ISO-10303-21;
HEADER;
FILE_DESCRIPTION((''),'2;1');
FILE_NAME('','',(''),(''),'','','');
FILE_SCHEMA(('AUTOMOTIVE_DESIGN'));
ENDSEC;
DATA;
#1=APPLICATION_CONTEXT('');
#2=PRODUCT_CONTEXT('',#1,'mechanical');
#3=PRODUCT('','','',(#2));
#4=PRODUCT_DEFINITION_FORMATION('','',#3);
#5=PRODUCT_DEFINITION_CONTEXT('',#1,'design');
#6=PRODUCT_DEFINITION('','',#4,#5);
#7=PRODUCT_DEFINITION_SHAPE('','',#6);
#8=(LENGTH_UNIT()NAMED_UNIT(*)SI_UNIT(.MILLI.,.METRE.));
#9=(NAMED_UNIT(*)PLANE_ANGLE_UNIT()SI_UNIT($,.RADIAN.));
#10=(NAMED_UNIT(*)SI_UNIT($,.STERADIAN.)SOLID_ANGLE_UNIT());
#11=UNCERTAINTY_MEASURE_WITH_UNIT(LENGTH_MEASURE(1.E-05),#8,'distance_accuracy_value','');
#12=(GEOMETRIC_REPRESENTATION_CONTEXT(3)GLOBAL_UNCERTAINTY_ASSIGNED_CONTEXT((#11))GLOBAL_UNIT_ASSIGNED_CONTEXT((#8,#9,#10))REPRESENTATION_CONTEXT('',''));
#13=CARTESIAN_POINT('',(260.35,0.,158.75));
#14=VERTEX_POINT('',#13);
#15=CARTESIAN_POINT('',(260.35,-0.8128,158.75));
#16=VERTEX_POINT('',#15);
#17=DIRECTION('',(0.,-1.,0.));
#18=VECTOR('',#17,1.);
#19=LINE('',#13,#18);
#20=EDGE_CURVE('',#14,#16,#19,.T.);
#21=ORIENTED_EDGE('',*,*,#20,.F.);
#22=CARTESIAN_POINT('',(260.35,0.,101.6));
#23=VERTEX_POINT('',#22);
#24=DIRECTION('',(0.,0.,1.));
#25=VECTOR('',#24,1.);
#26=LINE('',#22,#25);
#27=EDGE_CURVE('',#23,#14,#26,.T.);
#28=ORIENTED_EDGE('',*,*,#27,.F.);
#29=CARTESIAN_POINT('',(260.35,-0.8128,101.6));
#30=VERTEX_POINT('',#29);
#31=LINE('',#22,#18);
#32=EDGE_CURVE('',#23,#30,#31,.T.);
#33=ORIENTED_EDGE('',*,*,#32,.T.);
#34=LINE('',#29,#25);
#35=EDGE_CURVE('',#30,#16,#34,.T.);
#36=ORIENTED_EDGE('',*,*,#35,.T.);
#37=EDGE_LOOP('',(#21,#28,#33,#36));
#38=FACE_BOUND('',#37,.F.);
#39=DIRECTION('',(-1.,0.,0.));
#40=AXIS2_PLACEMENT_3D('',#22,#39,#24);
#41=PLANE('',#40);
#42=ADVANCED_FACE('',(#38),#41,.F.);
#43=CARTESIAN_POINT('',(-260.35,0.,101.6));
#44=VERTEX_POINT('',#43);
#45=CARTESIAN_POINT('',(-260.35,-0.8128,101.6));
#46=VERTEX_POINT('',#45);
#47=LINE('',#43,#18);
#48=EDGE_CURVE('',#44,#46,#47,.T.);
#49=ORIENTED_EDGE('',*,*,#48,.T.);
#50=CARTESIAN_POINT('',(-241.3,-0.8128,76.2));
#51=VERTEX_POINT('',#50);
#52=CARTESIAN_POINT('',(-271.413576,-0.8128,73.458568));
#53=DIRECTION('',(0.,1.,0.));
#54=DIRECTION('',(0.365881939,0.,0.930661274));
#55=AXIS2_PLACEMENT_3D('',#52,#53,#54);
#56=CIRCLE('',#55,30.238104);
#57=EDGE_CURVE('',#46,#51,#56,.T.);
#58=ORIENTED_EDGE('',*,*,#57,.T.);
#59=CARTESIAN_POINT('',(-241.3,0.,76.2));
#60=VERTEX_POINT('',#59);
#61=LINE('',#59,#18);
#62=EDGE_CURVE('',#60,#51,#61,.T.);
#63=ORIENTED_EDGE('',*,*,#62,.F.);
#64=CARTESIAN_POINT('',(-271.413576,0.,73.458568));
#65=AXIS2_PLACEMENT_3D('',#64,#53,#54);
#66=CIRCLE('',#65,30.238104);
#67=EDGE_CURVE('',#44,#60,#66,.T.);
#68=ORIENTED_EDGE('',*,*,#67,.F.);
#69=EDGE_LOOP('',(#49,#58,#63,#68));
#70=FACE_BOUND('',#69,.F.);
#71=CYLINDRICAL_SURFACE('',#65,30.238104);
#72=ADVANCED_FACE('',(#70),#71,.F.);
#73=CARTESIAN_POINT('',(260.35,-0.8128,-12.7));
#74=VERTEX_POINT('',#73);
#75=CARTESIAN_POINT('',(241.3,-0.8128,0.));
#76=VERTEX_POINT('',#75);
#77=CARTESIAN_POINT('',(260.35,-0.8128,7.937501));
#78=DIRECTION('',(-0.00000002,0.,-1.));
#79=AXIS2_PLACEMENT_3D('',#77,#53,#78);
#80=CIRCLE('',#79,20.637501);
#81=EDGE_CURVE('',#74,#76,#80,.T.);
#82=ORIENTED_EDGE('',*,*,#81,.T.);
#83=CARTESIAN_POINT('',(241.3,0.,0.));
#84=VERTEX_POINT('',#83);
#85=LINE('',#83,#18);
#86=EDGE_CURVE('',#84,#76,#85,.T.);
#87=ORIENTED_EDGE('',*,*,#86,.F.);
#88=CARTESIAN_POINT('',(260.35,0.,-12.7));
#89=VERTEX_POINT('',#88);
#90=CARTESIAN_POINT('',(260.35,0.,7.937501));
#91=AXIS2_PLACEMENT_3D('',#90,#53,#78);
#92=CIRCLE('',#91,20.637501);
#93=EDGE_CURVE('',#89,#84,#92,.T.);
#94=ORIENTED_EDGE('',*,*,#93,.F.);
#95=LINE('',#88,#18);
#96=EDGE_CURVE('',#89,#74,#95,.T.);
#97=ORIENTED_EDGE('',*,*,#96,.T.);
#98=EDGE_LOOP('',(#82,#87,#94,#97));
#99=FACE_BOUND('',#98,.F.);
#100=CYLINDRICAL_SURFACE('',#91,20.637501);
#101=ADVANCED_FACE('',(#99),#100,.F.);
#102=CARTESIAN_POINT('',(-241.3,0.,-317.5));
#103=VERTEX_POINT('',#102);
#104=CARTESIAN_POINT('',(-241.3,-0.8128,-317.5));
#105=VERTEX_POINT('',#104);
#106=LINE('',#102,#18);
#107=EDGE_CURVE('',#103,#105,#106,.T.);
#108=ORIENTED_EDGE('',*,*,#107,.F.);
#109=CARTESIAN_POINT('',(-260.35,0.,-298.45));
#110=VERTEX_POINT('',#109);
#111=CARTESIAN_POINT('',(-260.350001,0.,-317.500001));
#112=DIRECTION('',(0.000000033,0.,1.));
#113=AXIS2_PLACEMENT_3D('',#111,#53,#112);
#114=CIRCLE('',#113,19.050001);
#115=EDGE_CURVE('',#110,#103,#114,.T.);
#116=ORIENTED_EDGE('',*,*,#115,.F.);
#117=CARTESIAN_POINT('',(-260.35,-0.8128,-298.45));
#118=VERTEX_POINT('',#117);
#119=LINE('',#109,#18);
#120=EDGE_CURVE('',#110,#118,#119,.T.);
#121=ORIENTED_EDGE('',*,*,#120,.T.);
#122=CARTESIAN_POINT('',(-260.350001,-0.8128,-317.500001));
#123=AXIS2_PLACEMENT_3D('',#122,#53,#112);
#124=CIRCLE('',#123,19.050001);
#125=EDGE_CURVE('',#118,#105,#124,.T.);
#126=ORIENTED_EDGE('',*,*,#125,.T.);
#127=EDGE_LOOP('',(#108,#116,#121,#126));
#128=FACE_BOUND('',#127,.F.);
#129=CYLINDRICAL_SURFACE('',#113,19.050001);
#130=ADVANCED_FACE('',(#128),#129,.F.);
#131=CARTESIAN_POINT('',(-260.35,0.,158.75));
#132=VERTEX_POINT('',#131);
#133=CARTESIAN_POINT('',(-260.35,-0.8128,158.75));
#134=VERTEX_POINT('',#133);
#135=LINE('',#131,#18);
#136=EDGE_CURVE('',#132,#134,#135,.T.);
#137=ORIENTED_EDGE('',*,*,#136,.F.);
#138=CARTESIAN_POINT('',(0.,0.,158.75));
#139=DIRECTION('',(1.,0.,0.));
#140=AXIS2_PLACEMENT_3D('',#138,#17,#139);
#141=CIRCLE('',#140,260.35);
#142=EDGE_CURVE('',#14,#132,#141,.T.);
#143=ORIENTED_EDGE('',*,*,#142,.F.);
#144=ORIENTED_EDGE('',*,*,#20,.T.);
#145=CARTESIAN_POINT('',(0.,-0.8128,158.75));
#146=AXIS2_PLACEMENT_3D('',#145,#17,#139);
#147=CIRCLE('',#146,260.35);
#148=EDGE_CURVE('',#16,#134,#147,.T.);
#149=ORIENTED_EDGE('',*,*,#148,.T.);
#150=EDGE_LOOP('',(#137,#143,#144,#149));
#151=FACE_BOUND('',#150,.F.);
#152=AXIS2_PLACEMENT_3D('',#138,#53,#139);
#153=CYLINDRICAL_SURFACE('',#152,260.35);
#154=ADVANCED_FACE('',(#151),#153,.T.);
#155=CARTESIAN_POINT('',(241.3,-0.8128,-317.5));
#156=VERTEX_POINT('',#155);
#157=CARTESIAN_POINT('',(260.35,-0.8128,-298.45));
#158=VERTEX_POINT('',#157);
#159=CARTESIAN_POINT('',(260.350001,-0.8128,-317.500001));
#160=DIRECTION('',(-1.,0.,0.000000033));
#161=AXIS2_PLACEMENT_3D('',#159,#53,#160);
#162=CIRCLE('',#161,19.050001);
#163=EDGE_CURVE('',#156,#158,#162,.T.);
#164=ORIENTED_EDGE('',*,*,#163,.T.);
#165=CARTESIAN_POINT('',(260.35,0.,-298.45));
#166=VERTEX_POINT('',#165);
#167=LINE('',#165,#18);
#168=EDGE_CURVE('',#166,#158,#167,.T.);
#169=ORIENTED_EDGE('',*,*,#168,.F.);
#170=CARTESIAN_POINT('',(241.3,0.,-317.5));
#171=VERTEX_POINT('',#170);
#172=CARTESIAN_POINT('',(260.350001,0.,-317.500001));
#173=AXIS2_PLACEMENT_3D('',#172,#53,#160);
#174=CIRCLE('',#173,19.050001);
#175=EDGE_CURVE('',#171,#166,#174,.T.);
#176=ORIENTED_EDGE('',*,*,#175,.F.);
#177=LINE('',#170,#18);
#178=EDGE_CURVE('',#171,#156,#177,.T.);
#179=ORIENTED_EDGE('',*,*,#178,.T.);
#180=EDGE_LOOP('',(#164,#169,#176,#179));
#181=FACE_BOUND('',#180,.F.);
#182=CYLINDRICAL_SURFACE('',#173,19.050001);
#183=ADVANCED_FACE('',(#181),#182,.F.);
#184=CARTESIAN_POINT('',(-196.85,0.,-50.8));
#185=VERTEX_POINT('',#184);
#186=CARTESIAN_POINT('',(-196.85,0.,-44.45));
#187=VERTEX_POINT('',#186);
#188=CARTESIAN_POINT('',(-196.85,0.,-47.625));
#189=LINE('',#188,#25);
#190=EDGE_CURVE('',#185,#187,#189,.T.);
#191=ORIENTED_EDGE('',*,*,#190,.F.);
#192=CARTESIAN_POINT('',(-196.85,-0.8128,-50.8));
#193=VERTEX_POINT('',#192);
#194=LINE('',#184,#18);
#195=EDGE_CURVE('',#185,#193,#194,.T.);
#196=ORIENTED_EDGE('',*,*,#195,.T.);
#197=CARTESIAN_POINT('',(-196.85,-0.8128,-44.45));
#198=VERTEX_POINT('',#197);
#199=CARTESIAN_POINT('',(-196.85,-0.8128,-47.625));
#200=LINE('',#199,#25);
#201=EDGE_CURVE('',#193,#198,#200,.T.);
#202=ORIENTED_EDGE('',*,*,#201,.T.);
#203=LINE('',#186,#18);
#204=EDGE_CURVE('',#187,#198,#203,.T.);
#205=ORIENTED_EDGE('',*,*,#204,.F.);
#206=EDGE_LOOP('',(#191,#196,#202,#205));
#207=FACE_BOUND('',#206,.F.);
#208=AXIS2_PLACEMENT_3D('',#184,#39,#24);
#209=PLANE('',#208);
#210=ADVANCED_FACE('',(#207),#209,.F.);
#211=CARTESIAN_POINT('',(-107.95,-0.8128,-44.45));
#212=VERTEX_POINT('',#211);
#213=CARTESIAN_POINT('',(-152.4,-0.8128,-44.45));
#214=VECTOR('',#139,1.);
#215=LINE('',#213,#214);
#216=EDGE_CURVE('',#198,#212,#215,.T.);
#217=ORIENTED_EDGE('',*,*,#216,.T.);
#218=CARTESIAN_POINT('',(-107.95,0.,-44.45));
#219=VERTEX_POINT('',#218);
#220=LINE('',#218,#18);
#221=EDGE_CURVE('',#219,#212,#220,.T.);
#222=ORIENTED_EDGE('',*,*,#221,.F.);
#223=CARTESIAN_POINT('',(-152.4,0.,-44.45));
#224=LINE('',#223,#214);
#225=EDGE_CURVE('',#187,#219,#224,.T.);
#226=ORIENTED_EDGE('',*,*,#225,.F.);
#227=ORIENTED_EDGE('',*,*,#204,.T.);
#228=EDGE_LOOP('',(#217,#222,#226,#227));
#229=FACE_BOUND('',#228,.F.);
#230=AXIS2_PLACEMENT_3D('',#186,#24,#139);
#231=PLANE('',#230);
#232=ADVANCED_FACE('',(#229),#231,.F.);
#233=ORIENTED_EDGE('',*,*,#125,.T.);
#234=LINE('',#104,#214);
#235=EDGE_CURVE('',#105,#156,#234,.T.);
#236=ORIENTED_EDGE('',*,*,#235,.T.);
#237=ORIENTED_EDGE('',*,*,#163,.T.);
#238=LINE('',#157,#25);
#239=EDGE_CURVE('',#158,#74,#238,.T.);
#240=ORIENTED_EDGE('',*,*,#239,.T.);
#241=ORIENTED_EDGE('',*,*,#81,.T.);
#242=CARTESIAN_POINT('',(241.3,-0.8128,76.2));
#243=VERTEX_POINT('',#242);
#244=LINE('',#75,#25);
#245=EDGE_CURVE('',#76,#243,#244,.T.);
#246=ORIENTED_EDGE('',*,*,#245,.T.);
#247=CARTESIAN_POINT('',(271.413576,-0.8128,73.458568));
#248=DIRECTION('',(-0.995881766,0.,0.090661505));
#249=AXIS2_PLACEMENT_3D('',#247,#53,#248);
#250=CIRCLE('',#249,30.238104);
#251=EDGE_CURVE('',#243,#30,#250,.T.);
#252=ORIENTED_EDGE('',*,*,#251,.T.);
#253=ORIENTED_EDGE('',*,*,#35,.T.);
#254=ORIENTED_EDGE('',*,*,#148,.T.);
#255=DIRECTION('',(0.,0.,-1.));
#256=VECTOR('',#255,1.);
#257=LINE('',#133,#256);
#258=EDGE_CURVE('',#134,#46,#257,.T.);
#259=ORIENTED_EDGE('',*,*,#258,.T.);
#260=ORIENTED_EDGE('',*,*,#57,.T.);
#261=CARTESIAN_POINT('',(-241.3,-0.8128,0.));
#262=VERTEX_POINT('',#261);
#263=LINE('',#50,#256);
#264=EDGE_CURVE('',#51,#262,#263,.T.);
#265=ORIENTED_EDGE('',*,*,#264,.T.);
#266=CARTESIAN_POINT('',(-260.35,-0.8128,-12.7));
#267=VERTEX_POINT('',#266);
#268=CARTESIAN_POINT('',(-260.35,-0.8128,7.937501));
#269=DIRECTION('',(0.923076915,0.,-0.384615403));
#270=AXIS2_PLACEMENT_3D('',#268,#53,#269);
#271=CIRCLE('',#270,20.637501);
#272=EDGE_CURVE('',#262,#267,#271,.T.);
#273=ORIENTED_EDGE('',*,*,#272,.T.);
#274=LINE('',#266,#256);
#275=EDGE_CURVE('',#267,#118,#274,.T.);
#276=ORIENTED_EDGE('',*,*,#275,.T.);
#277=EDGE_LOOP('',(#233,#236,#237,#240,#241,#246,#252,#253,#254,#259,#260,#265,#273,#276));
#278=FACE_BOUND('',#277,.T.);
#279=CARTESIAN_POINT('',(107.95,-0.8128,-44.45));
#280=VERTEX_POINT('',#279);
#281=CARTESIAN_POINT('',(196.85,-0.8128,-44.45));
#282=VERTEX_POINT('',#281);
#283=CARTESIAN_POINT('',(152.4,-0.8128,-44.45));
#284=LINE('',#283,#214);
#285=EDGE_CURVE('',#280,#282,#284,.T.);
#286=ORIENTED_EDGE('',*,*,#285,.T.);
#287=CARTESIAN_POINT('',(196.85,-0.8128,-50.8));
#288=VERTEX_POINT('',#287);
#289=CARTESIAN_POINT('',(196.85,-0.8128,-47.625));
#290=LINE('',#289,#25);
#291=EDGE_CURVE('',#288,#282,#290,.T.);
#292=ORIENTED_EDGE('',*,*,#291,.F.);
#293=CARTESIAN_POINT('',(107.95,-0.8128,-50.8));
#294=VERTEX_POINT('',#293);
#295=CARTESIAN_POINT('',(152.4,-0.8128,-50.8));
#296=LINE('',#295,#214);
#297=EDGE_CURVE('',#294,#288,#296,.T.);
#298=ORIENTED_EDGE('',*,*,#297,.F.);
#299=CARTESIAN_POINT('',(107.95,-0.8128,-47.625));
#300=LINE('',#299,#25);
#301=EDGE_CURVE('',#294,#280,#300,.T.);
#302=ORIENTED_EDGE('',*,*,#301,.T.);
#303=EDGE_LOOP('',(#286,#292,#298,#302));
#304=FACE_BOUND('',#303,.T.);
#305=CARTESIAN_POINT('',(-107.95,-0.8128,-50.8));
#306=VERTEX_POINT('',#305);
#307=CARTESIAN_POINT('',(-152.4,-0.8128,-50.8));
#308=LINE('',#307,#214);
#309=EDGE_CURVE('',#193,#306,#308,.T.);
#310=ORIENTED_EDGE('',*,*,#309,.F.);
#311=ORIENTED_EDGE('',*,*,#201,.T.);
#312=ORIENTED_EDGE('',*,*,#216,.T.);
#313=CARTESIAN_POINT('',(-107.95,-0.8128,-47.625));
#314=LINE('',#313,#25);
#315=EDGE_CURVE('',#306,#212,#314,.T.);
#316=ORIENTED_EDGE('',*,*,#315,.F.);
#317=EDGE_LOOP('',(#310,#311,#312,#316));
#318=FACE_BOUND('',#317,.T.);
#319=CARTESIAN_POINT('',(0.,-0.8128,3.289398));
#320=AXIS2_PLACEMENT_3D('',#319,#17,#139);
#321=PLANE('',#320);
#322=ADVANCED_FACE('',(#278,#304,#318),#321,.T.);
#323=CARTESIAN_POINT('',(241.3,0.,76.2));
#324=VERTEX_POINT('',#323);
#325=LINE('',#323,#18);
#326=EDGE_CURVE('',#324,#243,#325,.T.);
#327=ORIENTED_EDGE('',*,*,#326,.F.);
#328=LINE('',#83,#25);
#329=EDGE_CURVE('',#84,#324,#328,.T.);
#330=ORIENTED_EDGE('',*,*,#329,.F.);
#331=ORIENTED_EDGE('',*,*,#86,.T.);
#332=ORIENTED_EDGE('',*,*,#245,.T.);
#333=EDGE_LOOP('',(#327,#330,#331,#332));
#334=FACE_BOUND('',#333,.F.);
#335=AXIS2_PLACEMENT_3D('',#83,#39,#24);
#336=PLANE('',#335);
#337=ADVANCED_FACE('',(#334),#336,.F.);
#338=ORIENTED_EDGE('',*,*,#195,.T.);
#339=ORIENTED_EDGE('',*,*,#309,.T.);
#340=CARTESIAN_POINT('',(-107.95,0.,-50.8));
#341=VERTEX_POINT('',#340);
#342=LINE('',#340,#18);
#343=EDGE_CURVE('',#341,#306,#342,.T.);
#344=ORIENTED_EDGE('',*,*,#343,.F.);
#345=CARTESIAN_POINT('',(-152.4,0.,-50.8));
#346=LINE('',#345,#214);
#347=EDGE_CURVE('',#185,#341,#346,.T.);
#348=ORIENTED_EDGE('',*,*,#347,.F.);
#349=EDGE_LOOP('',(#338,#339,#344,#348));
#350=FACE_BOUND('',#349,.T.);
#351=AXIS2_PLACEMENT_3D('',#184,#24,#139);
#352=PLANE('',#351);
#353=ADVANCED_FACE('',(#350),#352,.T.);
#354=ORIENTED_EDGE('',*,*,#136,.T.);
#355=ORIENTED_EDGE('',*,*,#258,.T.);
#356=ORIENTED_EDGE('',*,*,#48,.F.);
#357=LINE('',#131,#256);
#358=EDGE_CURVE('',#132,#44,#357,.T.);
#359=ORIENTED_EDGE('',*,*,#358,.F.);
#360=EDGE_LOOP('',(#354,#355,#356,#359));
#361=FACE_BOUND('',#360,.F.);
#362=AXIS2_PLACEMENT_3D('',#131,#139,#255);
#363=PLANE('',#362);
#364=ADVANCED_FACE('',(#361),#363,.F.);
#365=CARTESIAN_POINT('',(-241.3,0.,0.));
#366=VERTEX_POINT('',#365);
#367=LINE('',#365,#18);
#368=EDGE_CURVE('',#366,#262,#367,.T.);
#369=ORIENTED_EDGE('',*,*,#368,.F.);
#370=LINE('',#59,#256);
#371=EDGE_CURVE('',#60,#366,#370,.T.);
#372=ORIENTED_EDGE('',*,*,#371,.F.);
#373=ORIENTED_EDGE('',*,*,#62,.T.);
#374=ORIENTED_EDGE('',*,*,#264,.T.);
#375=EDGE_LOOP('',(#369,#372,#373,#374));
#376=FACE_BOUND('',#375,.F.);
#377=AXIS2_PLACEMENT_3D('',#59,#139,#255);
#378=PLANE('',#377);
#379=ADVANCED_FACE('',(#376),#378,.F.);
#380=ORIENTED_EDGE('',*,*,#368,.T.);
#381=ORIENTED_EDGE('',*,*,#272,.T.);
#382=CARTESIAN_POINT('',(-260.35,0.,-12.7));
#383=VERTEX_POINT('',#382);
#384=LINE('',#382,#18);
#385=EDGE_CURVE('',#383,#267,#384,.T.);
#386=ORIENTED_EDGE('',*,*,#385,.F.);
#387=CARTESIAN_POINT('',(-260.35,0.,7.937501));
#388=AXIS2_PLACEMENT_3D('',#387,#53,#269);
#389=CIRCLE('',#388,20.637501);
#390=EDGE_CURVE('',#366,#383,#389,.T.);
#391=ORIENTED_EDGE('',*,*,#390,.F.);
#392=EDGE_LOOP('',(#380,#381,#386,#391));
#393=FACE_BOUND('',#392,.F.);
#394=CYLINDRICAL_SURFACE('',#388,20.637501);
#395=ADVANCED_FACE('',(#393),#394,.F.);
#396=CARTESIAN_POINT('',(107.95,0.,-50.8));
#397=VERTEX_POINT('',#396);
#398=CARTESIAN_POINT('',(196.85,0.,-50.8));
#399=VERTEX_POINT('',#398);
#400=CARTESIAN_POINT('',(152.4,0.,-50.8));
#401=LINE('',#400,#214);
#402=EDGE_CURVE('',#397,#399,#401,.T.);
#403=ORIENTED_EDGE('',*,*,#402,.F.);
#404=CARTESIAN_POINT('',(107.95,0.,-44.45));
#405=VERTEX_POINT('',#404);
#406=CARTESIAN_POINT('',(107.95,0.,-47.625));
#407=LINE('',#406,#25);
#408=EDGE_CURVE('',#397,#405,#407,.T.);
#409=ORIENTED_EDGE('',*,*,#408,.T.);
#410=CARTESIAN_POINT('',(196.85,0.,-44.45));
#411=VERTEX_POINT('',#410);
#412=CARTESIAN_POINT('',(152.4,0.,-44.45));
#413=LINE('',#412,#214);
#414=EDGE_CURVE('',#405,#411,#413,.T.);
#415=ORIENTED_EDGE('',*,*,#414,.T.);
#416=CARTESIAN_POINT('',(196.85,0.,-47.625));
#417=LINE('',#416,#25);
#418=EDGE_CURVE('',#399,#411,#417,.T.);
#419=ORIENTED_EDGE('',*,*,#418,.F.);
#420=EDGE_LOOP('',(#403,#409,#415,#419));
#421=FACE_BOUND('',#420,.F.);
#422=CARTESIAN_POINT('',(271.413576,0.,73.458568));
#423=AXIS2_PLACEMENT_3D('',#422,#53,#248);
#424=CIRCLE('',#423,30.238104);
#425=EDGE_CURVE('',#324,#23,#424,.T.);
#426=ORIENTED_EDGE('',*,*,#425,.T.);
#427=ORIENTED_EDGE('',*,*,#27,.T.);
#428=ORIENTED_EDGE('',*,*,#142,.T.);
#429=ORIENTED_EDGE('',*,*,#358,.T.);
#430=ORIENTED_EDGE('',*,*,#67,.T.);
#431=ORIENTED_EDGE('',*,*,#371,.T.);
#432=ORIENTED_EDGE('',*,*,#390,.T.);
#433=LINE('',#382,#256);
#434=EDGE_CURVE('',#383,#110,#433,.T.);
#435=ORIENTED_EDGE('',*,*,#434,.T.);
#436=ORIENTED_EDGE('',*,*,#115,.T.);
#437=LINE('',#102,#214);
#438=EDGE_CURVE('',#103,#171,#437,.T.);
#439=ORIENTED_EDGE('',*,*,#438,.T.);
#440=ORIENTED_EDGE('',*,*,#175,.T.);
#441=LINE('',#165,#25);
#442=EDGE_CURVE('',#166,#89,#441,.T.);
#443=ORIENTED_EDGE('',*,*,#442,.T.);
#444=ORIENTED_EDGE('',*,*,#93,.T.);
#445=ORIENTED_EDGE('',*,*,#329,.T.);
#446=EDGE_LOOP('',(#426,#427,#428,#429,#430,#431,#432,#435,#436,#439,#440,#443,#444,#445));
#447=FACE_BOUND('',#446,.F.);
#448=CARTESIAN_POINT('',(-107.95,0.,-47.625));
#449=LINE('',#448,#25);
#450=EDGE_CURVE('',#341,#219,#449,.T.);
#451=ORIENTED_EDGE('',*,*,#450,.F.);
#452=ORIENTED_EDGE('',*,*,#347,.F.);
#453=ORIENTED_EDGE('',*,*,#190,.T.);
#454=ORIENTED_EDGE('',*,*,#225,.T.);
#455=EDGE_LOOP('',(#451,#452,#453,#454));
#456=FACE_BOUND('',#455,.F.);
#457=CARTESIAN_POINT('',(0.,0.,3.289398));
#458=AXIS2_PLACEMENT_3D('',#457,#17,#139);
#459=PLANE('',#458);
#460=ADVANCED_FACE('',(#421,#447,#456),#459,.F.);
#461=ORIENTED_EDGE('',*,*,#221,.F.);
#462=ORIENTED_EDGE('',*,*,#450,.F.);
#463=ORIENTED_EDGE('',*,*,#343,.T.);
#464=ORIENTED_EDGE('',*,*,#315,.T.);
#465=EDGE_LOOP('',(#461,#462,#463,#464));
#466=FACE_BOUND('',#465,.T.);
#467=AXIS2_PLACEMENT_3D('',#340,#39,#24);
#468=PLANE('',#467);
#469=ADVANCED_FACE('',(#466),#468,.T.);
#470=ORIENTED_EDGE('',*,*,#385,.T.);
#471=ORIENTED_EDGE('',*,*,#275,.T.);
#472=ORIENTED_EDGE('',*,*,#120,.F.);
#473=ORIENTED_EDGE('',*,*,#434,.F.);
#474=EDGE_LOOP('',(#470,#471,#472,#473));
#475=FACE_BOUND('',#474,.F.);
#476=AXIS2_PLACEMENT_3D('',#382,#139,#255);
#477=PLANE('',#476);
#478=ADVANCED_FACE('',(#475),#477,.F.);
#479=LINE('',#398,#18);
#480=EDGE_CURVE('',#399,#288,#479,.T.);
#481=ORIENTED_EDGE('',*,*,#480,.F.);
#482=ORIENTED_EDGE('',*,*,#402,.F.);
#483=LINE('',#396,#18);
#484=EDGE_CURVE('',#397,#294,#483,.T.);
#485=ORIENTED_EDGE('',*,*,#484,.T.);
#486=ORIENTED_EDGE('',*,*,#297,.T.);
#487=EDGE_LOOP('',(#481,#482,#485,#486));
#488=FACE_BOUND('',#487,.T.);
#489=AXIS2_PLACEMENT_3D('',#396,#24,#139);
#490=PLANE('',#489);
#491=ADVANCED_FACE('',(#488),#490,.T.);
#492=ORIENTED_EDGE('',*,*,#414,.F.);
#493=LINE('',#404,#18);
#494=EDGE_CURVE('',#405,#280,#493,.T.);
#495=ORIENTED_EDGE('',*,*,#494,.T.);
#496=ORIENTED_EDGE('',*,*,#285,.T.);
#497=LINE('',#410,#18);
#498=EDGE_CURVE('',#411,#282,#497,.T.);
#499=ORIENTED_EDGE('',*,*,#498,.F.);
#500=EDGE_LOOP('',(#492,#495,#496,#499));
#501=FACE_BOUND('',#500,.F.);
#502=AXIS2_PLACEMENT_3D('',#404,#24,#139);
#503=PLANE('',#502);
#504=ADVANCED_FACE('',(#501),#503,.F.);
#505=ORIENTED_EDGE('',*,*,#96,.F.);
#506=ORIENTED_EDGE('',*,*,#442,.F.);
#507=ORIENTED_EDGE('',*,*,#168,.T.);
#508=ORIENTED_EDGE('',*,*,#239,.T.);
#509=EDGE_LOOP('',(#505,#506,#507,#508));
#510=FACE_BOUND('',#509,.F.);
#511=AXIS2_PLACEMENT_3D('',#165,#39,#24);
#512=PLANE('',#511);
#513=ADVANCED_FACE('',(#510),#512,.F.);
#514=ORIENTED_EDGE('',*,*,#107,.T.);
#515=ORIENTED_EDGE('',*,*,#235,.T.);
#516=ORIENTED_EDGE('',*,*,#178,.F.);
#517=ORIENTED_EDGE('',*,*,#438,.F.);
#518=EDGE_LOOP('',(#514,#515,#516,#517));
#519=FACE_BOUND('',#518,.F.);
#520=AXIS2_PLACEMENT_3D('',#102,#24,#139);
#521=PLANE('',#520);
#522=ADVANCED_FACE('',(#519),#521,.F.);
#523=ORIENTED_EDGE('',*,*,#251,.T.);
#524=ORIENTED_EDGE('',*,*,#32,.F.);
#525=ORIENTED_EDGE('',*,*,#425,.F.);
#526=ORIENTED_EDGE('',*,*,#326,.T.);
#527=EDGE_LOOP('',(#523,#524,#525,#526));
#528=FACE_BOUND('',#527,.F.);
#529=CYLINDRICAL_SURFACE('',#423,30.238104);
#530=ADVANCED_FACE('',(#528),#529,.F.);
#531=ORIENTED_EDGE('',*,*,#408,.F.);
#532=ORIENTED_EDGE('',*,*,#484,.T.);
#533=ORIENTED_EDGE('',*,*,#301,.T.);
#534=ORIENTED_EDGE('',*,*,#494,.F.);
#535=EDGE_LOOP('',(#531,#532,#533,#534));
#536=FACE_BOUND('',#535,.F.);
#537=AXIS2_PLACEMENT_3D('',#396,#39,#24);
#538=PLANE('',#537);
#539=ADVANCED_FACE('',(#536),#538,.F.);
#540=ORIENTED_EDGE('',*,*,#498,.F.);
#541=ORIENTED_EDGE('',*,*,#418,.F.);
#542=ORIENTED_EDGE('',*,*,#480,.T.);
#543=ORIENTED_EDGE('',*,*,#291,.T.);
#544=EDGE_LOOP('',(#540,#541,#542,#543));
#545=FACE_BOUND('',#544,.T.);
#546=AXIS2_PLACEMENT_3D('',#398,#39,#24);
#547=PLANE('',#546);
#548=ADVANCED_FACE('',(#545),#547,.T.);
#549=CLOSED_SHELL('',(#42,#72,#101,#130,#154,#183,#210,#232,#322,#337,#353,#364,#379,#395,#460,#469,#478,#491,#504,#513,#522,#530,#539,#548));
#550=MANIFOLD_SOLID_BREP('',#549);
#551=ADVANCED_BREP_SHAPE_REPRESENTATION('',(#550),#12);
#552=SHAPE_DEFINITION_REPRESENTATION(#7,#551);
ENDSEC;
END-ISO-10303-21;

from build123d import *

# Parameters (mm, degrees)
F0_W     = 88.9
F0_H     = 6.35
F1_DEPTH = 0.8128


with BuildPart() as f1:
    # F0 (on Front) → F1 (new body)
    with BuildSketch(Plane.XZ):
        with BuildLine():
            ThreePointArc((-241.3, 0), (-248.902375, -9.233938), (-260.35, -12.7))
            Line((-260.35, -12.7), (-260.35, -298.45))
            ThreePointArc((-260.35, -298.45), (-246.879616, -304.029616), (-241.3, -317.5))
            Line((-241.3, -317.5), (241.3, -317.5))
            ThreePointArc((241.3, -317.5), (246.879616, -304.029616), (260.35, -298.45))
            Line((260.35, -298.45), (260.35, -12.7))
            ThreePointArc((260.35, -12.7), (248.902375, -9.233938), (241.3, 0))
            Line((241.3, 0), (241.3, 76.2))
            ThreePointArc((241.3, 76.2), (247.223093, 91.60143), (260.35, 101.6))
            Line((260.35, 101.6), (260.35, 158.75))
            ThreePointArc((260.35, 158.75), (0, 419.1), (-260.35, 158.75))
            Line((-260.35, 158.75), (-260.35, 101.6))
            ThreePointArc((-260.35, 101.6), (-247.223093, 91.60143), (-241.3, 76.2))
            Line((-241.3, 76.2), (-241.3, 0))
        make_face()
        with Locations((-152.4, -47.625)):
            Rectangle(F0_W, F0_H, mode=Mode.SUBTRACT)
        with Locations((152.4, -47.625)):
            Rectangle(F0_W, F0_H, mode=Mode.SUBTRACT)
    extrude(amount=F1_DEPTH)


solid = f1.part
